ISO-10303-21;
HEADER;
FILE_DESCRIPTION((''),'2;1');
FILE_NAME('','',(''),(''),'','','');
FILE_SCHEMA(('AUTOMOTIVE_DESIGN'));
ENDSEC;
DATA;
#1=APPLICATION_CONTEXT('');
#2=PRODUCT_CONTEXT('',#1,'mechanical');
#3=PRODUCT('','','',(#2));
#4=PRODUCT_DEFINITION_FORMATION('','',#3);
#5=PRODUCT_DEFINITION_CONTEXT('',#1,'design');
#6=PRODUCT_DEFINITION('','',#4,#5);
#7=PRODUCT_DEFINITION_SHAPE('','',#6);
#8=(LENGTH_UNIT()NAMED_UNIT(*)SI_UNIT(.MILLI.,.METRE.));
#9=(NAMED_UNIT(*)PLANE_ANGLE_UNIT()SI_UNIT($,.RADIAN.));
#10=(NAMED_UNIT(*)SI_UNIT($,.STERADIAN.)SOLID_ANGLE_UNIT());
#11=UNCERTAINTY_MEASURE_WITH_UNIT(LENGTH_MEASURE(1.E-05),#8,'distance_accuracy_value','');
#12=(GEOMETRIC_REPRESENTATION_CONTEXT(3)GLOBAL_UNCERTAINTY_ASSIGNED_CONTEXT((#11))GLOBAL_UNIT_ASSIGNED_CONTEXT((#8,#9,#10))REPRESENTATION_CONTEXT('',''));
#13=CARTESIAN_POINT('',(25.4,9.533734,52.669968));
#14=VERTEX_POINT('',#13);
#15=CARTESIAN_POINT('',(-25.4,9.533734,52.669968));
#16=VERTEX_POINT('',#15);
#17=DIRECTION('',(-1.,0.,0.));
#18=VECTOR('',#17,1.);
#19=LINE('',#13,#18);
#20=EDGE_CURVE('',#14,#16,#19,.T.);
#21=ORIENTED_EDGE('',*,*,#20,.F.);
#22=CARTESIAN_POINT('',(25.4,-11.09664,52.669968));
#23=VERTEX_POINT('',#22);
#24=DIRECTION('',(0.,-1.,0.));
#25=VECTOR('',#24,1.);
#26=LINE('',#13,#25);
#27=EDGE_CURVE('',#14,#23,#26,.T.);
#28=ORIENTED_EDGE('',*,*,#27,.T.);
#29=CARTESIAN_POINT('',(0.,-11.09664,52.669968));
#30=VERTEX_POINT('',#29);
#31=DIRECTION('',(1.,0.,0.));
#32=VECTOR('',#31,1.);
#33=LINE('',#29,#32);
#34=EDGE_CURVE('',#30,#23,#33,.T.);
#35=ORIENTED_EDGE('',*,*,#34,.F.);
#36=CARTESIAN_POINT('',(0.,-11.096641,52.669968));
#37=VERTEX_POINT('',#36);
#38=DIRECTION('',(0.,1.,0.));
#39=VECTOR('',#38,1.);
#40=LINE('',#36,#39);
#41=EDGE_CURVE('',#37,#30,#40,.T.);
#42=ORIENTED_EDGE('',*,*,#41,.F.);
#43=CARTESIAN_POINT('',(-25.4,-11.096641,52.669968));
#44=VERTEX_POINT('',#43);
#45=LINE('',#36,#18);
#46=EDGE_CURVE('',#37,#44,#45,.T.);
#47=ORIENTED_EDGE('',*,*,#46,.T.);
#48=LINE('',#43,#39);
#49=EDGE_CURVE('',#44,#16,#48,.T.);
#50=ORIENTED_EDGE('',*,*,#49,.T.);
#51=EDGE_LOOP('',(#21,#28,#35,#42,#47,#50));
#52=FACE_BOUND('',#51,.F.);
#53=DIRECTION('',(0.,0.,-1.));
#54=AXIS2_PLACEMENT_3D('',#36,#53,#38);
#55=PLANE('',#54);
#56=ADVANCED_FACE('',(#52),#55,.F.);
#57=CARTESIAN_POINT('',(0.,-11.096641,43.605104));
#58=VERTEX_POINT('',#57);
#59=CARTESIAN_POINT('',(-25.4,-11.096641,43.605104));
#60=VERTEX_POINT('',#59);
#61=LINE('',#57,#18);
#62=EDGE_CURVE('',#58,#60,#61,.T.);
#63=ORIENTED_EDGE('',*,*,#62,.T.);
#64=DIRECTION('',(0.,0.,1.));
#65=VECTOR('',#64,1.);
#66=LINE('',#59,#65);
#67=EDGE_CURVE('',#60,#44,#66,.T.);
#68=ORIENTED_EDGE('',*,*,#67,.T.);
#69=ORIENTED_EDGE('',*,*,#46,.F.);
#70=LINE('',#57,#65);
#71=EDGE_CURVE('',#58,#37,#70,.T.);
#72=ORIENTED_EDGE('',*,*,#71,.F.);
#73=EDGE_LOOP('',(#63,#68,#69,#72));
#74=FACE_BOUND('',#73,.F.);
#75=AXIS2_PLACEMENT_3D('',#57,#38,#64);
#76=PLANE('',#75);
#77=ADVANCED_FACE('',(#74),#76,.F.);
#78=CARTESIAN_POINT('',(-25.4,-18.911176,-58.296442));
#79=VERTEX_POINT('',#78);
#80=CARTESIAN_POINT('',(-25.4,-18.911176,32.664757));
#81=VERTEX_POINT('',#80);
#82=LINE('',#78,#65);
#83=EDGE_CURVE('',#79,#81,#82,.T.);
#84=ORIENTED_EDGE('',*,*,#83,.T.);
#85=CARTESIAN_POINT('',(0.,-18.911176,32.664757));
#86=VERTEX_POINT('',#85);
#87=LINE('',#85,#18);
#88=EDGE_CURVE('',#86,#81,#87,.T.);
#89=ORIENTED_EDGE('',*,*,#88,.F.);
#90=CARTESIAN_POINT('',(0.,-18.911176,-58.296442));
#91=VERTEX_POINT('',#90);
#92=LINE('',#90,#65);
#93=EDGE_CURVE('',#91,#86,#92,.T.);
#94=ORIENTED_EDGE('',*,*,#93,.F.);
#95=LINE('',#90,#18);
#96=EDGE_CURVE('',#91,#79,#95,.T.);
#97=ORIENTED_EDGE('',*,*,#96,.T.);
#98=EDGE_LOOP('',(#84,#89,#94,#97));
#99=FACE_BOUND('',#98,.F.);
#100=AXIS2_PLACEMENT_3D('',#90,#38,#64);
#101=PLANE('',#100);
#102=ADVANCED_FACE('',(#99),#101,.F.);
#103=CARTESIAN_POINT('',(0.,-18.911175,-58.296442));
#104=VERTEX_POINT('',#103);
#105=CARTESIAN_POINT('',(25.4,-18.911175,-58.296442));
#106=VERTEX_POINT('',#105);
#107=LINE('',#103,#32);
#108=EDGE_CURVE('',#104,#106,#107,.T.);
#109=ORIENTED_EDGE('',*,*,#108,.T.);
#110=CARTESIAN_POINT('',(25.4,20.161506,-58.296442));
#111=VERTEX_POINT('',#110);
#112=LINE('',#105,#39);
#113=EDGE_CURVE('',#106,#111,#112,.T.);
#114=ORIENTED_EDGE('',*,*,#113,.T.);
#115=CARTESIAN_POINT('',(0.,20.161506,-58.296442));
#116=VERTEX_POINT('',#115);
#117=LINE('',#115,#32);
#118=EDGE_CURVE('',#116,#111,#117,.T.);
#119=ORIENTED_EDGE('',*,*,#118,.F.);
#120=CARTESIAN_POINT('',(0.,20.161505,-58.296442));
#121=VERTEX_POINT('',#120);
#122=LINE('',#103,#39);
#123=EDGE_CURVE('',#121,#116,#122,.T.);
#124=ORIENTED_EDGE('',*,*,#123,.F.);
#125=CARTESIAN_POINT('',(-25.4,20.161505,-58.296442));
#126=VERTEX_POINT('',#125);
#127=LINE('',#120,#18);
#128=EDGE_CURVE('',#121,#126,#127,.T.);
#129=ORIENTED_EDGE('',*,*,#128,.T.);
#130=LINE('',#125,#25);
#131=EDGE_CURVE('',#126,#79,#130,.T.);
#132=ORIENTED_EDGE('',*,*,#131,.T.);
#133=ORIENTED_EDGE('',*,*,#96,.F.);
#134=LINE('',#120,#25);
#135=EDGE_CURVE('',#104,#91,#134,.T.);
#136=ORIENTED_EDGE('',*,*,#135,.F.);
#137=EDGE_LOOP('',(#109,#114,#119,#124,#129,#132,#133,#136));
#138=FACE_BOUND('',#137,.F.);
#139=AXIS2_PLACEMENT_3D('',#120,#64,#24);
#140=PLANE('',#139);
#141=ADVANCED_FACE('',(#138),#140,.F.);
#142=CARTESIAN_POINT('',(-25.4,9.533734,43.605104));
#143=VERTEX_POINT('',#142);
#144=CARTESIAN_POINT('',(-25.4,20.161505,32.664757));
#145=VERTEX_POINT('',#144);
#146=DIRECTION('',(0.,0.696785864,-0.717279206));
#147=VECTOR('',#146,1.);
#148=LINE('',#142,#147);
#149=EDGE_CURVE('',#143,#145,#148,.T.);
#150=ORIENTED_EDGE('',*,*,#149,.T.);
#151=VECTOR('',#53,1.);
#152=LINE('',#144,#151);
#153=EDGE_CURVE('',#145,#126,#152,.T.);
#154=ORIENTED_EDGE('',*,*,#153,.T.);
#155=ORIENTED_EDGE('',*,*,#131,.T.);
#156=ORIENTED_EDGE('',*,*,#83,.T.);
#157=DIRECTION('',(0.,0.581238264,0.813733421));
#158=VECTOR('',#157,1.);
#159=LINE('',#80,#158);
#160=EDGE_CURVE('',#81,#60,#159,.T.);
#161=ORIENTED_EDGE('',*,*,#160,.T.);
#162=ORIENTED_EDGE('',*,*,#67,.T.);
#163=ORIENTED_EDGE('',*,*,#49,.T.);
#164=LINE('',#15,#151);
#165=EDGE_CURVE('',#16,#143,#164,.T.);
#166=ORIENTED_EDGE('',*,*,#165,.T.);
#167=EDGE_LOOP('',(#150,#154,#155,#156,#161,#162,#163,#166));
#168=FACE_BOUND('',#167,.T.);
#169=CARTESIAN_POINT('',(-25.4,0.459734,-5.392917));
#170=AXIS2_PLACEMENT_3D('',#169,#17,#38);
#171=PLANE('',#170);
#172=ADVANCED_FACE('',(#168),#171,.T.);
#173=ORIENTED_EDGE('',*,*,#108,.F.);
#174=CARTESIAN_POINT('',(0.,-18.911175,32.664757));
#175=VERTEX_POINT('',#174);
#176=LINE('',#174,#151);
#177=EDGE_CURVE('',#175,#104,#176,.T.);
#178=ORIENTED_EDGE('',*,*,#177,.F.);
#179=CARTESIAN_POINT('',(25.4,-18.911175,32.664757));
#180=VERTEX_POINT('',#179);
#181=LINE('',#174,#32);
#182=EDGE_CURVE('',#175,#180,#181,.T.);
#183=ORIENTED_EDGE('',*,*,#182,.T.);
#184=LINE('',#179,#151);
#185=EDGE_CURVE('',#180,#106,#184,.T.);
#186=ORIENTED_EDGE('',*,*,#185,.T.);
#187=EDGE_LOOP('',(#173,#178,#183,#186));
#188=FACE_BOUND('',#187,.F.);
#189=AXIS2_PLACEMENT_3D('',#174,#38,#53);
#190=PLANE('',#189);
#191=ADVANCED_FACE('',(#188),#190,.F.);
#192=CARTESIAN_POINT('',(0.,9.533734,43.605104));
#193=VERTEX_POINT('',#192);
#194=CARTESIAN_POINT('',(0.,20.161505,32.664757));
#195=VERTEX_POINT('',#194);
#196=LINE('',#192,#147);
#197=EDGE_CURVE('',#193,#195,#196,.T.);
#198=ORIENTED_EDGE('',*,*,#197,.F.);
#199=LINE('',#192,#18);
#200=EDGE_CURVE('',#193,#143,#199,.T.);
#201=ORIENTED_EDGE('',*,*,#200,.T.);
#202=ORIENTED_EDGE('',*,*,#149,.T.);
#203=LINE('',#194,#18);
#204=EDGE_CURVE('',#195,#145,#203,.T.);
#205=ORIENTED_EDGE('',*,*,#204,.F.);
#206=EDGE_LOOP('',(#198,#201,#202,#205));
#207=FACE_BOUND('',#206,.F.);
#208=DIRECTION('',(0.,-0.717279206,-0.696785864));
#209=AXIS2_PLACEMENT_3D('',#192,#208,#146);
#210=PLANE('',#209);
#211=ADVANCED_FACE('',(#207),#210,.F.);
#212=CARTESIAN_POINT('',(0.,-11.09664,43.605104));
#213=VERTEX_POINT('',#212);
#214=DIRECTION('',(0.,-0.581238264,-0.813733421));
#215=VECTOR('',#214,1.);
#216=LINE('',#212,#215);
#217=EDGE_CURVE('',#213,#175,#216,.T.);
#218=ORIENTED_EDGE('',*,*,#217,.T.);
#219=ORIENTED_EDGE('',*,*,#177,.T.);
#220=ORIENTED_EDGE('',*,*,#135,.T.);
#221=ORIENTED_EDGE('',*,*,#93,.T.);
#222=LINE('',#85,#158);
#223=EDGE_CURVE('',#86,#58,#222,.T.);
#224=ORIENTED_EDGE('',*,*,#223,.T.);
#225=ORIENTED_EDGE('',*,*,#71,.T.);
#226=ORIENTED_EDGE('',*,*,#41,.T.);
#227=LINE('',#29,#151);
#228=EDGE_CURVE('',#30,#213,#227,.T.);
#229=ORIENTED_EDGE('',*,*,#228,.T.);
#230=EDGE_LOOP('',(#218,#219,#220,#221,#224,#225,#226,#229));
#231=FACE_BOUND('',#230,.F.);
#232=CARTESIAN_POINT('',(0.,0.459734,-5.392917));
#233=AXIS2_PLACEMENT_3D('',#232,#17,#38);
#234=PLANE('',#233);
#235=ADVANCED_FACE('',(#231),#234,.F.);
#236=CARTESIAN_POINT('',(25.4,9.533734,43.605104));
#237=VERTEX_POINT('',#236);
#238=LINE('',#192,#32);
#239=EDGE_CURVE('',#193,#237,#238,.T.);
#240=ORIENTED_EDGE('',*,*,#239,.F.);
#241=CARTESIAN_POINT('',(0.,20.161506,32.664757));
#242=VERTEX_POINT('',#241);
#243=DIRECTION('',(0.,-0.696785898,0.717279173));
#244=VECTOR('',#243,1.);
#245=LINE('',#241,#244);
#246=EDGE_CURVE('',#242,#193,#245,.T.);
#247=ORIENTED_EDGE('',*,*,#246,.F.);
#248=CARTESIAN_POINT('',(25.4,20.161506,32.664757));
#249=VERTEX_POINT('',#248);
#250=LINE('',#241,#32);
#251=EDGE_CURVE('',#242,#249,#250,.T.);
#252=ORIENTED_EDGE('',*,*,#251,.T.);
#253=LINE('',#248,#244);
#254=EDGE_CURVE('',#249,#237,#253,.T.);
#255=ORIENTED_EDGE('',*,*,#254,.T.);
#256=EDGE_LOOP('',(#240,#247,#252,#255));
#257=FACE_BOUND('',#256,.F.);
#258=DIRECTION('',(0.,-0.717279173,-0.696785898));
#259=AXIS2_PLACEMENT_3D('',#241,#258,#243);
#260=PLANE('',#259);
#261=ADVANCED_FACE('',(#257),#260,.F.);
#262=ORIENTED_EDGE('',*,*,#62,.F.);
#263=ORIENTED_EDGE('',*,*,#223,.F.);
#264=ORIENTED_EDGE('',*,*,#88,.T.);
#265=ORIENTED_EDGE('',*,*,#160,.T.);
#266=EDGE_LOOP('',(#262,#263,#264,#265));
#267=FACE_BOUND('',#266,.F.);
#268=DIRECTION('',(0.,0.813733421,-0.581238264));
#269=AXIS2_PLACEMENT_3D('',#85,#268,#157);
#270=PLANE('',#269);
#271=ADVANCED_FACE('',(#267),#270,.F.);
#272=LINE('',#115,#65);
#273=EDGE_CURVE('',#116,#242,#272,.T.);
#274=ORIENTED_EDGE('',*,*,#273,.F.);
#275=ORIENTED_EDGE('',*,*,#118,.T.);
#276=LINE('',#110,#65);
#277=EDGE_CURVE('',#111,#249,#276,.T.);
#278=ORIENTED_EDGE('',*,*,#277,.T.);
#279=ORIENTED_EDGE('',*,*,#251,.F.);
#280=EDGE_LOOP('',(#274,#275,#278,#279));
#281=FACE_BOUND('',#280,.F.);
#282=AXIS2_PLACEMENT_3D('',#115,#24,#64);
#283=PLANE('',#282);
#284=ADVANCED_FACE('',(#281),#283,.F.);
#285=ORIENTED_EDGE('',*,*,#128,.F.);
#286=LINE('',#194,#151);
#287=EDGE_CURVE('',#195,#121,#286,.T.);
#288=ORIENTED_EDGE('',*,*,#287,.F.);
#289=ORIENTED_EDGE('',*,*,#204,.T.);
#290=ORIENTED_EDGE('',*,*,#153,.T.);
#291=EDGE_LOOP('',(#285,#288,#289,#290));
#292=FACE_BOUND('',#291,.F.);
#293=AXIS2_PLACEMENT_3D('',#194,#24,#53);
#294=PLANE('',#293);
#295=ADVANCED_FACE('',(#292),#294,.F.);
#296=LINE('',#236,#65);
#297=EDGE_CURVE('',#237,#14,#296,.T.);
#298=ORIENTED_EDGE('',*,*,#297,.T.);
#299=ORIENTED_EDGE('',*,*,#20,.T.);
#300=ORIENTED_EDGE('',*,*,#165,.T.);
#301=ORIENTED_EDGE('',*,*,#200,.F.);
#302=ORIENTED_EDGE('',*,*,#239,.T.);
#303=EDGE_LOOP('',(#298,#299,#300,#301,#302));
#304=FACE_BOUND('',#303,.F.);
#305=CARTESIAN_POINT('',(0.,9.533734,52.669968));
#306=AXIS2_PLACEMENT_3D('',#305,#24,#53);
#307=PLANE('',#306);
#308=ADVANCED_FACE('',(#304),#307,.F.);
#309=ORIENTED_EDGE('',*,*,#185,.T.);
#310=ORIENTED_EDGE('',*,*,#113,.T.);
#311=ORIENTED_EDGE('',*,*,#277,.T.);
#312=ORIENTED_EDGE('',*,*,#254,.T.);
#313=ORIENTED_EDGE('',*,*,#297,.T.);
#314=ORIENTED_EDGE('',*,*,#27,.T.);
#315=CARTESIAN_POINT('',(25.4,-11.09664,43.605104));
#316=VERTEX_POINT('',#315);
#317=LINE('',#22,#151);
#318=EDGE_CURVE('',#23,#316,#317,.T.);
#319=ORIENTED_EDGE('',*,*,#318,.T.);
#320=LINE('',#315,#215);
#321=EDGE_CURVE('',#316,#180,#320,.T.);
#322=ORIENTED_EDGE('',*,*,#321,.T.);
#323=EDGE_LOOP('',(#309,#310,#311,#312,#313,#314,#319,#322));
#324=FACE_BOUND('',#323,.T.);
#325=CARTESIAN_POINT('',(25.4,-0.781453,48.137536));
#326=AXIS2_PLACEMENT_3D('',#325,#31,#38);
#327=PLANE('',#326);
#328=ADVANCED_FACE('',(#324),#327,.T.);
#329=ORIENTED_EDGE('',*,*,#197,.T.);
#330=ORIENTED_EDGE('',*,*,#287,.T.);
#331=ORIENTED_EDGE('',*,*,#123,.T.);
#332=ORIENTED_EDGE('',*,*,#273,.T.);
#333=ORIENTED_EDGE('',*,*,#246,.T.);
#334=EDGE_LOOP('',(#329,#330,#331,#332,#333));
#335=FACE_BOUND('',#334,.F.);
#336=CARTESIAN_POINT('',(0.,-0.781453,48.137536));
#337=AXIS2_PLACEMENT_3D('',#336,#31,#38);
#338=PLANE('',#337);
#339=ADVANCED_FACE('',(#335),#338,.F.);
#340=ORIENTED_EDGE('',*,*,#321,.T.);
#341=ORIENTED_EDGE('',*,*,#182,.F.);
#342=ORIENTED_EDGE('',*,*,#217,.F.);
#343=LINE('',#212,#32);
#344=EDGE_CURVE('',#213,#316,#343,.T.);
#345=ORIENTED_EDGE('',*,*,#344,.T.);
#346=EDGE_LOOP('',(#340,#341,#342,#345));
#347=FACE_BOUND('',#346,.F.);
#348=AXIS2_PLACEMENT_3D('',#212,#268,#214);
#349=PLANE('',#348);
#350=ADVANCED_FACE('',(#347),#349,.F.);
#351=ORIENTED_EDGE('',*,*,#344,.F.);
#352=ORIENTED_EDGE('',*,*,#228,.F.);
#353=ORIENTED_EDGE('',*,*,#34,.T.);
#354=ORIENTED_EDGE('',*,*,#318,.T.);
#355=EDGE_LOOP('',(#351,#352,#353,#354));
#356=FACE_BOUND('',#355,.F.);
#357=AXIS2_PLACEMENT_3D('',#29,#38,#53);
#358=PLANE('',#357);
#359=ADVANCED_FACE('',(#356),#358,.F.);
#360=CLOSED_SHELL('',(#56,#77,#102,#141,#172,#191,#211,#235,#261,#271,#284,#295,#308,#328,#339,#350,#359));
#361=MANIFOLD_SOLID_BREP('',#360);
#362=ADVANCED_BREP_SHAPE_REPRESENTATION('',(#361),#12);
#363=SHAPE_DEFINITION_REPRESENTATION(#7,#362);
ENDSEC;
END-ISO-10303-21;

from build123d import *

# Parameters (mm, degrees)
F1_DEPTH = 25.4
F2_DEPTH = 25.4


with BuildPart() as f1:
    # F0 (on Right) → F1 (new body)
    with BuildSketch(Plane.YZ):
        Polygon((9.533734, 52.669968), (0, 52.669968), (-11.09664, 52.669968), (-11.09664, 43.605104), (9.533734, 43.605104), align=None)
        Polygon((20.161506, 32.664757), (9.533734, 43.605104), (-11.09664, 43.605104), (-18.911175, 32.664757), (-18.911175, -58.296442), (0, -58.296442), (20.161506, -58.296442), align=None)
    extrude(amount=F1_DEPTH)

    # F1_face (on face) → F2 (join)
    with BuildSketch(Plane(origin=(0, 0.509843, -5.968022), x_dir=(0, 1, 0), z_dir=(-1, 0, 0))):
        Polygon((-11.606484, -58.63799), (9.023891, -58.63799), (9.023891, -49.573126), (19.651662, -38.632779), (19.651662, 52.32842), (-19.421019, 52.32842), (-19.421019, -38.632779), (-11.606484, -49.573126), align=None)
    extrude(amount=F2_DEPTH)


solid = f1.part
